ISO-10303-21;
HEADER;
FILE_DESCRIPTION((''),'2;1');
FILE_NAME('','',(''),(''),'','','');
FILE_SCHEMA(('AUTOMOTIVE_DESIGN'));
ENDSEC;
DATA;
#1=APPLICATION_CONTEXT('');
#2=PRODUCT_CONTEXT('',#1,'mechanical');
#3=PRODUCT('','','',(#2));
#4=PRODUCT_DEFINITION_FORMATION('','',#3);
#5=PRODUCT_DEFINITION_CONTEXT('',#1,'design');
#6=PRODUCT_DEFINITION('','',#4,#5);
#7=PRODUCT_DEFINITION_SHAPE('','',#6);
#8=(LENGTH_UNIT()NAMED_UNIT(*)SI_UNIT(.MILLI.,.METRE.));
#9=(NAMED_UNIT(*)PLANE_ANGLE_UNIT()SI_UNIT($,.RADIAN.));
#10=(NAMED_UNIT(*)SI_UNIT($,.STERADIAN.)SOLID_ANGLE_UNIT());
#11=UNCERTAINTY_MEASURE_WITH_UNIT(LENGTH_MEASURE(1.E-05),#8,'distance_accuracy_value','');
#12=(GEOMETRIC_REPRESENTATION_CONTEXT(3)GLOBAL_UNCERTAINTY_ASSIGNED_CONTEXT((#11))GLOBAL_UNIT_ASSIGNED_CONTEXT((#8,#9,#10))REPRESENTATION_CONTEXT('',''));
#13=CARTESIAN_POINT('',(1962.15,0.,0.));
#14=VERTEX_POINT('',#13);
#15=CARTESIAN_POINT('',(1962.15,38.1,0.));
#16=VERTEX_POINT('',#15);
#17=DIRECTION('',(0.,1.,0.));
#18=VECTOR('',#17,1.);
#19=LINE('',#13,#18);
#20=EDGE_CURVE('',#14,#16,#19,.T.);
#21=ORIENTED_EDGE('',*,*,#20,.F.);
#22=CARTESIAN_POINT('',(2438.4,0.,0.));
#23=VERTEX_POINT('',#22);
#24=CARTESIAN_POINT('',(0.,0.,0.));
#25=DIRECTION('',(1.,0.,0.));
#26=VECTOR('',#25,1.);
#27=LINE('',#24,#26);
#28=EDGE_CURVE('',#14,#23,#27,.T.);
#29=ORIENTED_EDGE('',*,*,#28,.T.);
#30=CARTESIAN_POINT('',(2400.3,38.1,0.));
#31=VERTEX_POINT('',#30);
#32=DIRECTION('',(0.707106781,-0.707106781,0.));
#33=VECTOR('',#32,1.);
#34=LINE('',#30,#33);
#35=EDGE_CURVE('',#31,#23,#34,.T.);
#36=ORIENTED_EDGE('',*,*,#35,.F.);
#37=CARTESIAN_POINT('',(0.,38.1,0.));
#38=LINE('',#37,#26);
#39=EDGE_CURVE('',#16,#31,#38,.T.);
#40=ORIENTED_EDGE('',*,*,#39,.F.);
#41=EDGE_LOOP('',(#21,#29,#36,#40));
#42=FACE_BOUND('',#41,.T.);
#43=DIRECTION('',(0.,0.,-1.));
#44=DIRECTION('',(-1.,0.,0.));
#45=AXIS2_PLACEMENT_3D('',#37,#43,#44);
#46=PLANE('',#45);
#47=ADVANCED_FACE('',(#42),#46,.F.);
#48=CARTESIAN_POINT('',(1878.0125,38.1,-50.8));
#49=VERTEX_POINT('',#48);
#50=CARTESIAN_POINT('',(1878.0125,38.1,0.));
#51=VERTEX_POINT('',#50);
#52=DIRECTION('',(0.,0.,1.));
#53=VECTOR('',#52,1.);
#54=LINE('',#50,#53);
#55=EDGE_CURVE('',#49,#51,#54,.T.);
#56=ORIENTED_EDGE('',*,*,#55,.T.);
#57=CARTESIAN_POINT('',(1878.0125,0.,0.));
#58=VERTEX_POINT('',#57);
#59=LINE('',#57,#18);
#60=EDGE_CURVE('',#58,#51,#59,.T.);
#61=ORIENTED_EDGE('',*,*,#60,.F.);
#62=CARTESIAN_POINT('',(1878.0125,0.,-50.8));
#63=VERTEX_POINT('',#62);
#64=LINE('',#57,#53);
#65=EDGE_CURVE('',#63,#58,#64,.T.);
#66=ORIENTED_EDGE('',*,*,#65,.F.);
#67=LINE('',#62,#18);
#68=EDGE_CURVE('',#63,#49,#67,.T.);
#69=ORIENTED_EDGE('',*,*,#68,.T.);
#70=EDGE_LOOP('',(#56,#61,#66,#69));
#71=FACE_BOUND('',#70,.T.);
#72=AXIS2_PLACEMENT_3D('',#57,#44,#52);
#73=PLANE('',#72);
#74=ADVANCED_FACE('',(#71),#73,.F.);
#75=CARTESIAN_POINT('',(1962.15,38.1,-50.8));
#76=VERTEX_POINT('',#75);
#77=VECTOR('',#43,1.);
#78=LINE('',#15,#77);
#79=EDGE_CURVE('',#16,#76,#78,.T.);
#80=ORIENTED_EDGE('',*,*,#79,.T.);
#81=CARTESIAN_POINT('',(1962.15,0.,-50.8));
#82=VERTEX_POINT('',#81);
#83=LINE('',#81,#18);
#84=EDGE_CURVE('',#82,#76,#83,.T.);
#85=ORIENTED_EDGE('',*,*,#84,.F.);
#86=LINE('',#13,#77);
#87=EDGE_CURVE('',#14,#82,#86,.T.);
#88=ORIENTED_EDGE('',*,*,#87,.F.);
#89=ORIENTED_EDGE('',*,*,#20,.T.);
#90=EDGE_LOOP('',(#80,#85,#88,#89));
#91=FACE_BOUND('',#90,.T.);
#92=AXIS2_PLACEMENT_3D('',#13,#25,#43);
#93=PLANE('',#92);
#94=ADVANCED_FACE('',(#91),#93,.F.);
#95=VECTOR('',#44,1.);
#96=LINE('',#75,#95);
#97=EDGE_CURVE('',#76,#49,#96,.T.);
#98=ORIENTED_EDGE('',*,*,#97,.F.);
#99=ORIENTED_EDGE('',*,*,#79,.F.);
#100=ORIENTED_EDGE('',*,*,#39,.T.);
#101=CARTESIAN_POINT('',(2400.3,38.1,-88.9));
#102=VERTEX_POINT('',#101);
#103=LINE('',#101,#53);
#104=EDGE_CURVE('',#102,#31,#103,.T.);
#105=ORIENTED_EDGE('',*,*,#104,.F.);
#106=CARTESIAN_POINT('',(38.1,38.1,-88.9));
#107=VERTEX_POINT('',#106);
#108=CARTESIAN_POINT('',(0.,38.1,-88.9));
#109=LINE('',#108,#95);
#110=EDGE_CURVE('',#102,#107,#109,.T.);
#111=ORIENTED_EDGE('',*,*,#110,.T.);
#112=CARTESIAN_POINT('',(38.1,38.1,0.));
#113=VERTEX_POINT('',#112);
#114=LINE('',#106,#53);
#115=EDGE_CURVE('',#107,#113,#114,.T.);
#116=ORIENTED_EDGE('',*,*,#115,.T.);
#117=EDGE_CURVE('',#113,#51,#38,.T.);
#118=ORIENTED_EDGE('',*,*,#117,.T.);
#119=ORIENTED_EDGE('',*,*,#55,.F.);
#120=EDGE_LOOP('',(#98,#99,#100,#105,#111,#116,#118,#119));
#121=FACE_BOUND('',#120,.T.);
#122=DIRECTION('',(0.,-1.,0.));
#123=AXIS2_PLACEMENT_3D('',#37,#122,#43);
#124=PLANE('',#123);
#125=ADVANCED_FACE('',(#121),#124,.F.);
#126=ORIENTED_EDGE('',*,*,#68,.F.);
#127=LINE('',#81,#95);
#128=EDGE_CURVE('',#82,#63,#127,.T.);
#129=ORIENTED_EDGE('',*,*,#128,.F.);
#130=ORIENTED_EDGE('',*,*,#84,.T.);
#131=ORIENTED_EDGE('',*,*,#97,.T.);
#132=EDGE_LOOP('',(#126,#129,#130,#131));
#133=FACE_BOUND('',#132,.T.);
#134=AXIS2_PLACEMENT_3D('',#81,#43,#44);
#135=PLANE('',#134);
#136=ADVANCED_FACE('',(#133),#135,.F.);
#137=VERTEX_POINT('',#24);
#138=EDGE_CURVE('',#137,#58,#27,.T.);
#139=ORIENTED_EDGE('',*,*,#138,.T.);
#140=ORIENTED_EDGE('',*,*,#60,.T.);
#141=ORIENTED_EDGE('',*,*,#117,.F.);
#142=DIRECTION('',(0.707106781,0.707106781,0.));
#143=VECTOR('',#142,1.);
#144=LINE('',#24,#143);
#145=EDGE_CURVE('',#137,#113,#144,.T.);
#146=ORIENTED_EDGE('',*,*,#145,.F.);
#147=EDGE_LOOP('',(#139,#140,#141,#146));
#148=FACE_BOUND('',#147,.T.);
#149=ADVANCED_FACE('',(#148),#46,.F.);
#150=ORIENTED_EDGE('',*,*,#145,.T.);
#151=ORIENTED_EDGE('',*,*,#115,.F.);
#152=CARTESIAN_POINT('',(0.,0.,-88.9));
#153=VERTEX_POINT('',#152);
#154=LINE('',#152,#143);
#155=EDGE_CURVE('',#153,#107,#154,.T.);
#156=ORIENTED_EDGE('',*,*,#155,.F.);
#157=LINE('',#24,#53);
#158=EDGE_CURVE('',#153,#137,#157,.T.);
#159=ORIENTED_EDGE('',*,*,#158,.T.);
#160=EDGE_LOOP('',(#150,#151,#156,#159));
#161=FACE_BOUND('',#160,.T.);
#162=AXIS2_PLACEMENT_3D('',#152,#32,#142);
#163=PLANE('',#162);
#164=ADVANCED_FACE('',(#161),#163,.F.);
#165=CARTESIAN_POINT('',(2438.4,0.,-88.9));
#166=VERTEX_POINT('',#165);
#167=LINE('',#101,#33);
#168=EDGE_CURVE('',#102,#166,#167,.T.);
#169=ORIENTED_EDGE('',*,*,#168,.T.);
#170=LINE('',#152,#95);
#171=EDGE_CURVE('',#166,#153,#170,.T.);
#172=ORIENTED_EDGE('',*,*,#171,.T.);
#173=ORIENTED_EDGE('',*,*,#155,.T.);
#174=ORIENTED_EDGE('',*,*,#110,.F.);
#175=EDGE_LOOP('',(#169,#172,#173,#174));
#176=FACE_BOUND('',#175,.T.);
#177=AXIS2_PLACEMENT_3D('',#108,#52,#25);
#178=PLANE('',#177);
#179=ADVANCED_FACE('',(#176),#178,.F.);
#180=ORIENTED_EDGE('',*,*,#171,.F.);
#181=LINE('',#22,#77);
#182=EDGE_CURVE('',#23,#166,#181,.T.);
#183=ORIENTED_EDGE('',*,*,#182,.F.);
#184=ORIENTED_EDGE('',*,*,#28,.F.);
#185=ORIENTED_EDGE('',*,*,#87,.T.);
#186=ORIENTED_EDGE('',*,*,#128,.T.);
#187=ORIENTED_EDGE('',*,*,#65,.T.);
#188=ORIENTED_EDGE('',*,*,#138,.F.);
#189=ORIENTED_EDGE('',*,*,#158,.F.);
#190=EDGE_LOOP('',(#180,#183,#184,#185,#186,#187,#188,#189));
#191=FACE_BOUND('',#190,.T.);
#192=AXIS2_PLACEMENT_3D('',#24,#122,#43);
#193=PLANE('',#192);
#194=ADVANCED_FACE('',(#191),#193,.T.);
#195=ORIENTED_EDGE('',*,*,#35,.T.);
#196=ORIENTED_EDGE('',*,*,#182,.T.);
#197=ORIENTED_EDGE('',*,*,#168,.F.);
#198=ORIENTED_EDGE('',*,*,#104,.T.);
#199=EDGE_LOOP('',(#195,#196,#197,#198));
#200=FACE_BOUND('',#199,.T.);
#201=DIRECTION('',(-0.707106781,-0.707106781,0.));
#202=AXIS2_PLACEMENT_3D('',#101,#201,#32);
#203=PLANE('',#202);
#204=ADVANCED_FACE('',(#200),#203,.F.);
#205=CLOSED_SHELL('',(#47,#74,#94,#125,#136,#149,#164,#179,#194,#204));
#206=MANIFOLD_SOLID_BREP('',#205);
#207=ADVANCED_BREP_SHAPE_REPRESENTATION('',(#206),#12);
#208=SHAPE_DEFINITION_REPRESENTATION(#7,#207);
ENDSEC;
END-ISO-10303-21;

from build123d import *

# Parameters (mm, degrees)
SKETCH1_W           = 2438.4
SKETCH1_H           = 88.9
BOSS_EXTRUDE1_DEPTH = 38.1
CUT_EXTRUDE1_DEPTH  = 89.9
SKETCH3_W           = 84.1375
SKETCH3_H           = 50.8
CUT_EXTRUDE2_DEPTH  = 39.1


with BuildPart() as part:
    # Sketch1 → Boss-Extrude1 (new body)
    with BuildSketch(Plane(origin=(0, 0, 0), x_dir=(1, 0, 0), z_dir=(0, 1, 0))):
        with Locations((1219.2, 44.45)):
            Rectangle(SKETCH1_W, SKETCH1_H)
    extrude(amount=BOSS_EXTRUDE1_DEPTH)

    # Sketch2 → Cut-Extrude1 (cut, through all)
    with BuildSketch(Plane.XY):
        Polygon((0, 0), (38.1, 38.1), (0, 38.1), align=None)
        Polygon((2438.4, 0), (2438.4, 38.1), (2400.3, 38.1), align=None)
    extrude(amount=-CUT_EXTRUDE1_DEPTH, mode=Mode.SUBTRACT)

    # Sketch3 → Cut-Extrude2 (cut, through all)
    with BuildSketch(Plane(origin=(0, 38.1, 0), x_dir=(1, 0, 0), z_dir=(0, 1, 0))):
        with Locations((1920.08125, 25.4)):
            Rectangle(SKETCH3_W, SKETCH3_H)
    extrude(amount=-CUT_EXTRUDE2_DEPTH, mode=Mode.SUBTRACT)


solid = part.part
